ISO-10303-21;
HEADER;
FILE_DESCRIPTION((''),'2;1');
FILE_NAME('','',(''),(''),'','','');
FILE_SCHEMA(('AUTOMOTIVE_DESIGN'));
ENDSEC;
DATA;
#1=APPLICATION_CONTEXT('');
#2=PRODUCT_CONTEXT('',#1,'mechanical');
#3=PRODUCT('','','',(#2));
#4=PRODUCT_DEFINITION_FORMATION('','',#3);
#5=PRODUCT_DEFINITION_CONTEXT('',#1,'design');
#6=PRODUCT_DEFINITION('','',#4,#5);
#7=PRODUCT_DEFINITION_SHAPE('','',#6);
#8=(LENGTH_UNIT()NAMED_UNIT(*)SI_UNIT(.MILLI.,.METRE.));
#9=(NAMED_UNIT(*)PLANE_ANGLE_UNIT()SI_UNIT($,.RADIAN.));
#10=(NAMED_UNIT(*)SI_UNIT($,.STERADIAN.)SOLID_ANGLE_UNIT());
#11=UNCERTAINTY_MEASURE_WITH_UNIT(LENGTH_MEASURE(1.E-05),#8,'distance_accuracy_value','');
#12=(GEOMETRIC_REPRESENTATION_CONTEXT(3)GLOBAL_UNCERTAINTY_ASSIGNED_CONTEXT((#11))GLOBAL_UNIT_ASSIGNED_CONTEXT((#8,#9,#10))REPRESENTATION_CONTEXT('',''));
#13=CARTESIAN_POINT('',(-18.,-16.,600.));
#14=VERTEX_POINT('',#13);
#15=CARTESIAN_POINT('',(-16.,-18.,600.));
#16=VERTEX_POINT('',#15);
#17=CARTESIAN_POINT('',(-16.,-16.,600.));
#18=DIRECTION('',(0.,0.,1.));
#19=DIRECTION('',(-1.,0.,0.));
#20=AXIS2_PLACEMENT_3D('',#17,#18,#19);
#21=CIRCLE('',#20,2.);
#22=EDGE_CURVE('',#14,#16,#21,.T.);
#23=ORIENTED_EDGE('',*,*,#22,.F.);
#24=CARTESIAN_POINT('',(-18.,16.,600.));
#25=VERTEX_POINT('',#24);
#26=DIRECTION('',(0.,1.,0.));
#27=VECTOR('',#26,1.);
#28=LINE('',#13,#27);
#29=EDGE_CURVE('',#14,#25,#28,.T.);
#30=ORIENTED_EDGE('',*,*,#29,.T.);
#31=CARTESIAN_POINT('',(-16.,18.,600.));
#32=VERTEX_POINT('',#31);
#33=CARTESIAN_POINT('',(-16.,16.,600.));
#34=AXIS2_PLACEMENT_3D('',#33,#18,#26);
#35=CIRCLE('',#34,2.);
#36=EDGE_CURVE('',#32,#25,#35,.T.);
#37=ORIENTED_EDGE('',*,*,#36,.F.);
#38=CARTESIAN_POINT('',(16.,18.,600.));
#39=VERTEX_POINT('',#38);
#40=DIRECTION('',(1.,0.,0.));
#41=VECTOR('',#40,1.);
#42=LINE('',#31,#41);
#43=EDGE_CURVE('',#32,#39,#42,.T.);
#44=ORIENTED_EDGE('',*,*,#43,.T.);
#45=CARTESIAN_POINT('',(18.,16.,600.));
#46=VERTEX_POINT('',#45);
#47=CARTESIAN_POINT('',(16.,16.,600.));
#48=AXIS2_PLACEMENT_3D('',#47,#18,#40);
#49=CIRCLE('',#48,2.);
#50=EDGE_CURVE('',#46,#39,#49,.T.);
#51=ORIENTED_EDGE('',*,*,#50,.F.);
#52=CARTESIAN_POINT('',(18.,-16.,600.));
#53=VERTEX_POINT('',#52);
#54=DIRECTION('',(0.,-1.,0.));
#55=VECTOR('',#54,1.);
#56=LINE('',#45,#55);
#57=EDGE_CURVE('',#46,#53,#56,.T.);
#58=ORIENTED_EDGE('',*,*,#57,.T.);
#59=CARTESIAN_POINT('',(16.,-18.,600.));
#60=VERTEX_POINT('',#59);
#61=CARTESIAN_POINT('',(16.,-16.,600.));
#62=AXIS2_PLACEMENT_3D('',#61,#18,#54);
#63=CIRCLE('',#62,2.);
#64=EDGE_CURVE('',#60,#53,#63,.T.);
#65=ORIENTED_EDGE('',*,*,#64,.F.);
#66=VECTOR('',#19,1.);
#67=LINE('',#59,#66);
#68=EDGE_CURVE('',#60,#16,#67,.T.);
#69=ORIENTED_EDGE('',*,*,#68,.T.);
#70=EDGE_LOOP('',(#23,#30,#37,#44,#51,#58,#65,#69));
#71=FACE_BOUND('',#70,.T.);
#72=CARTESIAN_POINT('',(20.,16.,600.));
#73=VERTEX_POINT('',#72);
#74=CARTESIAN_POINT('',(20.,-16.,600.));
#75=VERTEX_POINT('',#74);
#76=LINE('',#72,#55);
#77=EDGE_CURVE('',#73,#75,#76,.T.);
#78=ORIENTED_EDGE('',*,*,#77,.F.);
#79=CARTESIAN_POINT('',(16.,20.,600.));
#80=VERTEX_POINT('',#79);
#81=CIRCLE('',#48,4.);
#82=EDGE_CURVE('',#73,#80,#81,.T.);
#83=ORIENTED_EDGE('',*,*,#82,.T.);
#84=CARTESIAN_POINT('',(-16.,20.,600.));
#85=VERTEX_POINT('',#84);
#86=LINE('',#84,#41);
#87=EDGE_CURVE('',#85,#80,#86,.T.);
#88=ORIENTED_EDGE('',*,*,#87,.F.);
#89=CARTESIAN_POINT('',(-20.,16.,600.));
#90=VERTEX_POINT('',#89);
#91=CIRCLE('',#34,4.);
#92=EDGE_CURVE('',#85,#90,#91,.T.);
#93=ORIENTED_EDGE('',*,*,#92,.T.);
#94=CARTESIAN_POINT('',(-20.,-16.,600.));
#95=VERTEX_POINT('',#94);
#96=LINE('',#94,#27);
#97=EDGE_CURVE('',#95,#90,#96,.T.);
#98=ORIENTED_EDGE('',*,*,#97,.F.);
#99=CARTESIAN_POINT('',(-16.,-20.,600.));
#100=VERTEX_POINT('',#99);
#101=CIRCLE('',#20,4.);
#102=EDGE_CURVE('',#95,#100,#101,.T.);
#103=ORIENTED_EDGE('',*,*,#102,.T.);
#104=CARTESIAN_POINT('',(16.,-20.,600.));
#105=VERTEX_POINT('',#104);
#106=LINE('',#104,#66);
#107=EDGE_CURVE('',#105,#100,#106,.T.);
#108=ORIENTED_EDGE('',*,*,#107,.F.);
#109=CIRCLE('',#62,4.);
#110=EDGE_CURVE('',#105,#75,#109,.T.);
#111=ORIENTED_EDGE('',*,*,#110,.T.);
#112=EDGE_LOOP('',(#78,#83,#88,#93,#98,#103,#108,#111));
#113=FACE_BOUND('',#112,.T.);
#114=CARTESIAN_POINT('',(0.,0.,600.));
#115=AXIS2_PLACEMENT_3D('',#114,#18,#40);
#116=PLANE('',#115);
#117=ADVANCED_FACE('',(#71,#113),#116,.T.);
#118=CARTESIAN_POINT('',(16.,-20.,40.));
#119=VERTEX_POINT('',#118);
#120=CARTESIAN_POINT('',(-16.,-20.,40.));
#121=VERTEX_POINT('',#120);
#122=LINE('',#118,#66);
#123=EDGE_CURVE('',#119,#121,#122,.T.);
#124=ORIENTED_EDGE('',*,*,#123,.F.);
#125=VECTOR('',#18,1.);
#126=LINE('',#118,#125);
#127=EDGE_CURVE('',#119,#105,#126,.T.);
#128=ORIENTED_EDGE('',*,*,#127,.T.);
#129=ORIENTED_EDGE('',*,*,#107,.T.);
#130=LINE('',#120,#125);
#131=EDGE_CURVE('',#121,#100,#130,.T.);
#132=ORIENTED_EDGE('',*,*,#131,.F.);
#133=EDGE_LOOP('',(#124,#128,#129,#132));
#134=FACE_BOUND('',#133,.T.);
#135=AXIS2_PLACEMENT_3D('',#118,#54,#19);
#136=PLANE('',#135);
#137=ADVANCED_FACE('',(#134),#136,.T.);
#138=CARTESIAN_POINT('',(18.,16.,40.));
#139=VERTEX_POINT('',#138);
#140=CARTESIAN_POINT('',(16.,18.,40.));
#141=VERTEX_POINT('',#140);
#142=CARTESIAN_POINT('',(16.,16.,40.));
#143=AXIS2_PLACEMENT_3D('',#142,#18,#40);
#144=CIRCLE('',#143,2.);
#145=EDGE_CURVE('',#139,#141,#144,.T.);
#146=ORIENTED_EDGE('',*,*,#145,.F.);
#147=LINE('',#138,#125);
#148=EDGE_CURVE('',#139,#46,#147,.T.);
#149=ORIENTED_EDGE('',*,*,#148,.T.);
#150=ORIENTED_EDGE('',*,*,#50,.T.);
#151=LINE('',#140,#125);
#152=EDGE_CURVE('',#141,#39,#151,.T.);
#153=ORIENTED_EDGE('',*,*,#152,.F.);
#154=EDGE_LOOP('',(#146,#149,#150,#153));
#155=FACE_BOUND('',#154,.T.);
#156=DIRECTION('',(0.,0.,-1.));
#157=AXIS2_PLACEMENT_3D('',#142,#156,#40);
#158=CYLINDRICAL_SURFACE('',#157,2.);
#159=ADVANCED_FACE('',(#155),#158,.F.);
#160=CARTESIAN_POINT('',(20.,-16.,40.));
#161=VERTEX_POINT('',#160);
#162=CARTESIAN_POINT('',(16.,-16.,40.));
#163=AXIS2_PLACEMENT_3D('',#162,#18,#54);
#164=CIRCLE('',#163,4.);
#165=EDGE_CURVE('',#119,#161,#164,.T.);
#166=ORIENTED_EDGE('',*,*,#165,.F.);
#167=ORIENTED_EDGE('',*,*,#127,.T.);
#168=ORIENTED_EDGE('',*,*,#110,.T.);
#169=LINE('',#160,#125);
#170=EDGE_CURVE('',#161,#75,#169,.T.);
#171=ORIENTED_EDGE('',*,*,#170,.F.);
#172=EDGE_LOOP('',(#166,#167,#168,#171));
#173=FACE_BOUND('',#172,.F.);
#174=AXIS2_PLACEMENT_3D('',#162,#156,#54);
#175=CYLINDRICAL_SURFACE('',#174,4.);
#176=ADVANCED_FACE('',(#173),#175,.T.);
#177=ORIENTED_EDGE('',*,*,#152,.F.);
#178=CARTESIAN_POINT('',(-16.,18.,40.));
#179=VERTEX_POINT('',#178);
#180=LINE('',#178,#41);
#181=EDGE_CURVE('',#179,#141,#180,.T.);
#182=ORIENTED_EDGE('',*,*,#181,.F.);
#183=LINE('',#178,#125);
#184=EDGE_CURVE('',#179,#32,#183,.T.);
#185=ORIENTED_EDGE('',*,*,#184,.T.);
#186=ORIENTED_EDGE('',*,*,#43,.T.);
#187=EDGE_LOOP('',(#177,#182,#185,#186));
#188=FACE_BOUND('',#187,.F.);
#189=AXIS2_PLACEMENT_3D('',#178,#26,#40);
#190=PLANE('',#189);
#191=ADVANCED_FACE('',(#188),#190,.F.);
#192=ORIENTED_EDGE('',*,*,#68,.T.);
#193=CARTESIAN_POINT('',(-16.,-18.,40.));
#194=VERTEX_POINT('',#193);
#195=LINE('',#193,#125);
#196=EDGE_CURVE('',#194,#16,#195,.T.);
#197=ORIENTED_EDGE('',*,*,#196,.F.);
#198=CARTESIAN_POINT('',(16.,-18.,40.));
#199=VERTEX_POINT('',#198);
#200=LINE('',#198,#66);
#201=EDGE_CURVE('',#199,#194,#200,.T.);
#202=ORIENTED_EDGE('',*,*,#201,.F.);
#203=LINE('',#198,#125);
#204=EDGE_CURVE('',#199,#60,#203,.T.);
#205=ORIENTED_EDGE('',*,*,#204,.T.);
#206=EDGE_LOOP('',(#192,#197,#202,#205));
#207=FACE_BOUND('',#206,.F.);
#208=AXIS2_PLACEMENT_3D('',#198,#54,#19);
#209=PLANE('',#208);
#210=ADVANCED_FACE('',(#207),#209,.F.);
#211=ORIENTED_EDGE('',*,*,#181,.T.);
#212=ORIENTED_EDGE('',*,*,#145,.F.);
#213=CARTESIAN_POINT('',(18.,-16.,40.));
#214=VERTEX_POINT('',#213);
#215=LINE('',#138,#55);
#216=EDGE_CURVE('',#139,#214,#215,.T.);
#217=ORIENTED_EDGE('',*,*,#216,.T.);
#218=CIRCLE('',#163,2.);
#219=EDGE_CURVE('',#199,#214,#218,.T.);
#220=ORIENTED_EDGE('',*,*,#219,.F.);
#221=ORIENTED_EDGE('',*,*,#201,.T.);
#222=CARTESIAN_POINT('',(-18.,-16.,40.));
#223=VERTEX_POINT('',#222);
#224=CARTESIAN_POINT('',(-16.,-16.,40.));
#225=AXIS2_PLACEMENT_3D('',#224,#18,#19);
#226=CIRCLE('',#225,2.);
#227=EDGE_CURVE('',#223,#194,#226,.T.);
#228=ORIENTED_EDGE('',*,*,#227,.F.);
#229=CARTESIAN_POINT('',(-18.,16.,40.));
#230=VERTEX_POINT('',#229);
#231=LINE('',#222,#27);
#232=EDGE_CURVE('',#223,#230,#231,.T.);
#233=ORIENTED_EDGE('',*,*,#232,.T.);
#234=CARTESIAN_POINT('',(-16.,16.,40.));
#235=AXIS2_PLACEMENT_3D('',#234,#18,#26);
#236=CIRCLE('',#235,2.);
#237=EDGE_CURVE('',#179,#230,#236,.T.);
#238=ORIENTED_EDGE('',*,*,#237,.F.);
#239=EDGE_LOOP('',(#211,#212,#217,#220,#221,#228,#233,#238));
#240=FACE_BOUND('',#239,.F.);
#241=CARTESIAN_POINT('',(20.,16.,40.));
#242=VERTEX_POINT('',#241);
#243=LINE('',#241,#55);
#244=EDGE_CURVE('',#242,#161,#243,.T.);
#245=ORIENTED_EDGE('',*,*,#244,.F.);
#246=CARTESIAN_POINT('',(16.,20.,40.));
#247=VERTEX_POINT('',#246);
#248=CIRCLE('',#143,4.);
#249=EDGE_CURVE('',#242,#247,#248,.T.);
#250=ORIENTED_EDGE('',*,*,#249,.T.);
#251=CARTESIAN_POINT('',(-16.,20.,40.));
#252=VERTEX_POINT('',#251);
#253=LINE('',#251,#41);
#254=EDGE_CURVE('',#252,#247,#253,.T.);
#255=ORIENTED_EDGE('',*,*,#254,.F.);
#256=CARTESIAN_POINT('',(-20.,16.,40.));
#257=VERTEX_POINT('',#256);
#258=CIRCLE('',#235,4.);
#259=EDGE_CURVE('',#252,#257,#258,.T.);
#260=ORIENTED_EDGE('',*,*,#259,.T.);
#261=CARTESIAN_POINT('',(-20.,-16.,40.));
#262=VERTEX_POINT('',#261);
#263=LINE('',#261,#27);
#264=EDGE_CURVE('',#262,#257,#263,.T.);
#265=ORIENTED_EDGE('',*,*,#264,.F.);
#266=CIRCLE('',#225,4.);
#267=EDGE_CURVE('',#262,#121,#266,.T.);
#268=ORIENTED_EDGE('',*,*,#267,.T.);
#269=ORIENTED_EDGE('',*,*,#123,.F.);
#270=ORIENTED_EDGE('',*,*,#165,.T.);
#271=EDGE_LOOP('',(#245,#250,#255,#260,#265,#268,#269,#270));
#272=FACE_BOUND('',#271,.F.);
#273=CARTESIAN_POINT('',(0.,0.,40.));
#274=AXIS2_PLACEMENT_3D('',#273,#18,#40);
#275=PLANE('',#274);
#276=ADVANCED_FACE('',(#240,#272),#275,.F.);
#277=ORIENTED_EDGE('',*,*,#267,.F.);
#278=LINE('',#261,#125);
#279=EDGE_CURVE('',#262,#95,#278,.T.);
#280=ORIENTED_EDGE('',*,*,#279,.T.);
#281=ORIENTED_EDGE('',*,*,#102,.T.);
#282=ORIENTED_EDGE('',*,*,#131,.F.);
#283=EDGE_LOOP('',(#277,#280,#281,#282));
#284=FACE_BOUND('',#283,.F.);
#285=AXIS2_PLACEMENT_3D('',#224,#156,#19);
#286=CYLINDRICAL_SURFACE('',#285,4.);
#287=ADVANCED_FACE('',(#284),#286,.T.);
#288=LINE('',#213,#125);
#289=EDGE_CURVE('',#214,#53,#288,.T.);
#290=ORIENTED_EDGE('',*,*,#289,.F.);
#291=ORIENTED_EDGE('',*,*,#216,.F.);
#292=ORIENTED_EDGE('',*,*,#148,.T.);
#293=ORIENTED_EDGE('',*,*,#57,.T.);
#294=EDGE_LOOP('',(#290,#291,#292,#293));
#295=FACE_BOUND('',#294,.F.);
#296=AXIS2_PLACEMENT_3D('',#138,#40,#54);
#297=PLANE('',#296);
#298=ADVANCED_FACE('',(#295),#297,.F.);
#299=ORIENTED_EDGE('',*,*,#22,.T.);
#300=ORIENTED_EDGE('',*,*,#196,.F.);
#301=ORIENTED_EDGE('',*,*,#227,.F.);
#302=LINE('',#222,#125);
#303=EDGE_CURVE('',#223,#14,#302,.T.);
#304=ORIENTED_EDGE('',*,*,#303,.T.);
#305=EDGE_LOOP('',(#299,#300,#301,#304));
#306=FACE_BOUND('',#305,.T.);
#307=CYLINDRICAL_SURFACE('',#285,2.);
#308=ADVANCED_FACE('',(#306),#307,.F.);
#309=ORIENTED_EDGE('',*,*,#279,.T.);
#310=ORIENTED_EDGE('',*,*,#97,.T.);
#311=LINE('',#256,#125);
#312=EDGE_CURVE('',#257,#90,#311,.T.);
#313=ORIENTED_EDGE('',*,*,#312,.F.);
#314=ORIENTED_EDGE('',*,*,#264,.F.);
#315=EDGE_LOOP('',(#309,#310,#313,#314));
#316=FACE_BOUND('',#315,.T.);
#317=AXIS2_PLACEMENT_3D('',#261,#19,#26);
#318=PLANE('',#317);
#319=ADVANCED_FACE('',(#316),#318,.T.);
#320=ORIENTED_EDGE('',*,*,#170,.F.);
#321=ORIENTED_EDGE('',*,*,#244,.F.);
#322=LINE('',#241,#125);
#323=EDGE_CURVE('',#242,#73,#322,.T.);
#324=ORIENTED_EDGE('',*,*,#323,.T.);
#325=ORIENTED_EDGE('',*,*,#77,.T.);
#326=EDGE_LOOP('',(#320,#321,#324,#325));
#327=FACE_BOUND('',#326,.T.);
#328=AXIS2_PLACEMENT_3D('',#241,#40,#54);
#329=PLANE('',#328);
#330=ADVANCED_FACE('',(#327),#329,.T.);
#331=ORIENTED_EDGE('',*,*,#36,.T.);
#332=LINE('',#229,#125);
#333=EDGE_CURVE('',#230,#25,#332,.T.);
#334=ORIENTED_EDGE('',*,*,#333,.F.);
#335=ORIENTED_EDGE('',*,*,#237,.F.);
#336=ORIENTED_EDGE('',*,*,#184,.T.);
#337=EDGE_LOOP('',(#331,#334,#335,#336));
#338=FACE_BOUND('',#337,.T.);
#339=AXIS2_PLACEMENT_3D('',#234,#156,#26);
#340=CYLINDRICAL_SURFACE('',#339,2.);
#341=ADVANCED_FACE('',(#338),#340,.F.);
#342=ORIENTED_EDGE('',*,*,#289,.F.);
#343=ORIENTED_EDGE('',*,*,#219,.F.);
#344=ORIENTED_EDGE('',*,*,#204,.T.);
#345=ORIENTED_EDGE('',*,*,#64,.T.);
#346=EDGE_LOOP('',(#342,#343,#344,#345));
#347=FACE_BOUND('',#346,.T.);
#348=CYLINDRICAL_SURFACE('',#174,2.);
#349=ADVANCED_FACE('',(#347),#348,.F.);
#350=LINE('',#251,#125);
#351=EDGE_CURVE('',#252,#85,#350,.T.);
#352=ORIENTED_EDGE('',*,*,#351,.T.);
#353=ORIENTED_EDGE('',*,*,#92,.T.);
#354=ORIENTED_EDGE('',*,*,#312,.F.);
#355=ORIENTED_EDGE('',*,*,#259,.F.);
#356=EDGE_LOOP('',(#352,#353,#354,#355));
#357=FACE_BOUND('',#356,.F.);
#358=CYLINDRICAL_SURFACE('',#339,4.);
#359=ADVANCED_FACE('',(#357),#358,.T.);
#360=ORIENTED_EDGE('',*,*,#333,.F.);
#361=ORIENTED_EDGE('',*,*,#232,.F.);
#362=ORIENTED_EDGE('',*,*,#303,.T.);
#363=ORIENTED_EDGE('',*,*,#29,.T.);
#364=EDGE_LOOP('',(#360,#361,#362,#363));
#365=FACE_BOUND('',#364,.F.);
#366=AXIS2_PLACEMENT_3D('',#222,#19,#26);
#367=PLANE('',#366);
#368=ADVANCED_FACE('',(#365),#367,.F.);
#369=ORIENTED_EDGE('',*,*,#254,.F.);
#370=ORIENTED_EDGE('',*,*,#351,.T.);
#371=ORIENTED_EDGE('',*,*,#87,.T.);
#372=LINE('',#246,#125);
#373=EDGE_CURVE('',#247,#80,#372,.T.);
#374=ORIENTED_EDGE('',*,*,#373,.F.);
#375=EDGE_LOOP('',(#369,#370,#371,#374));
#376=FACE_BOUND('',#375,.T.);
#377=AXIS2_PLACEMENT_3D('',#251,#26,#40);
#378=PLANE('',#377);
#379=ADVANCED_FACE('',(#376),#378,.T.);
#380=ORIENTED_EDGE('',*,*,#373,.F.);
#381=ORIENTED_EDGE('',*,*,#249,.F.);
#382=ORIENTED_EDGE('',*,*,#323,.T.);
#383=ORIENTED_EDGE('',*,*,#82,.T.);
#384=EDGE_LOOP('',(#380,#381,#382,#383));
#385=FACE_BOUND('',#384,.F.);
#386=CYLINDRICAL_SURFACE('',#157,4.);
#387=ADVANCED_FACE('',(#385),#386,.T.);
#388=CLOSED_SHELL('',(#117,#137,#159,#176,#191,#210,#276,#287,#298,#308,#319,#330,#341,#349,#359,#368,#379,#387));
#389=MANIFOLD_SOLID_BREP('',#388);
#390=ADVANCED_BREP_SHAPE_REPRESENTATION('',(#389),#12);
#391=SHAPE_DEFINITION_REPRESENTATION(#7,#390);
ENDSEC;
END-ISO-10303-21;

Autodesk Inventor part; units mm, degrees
ref_plane "YZ Plane" through (0, 0, 0) normal (1, 0, 0) x (0, 1, 0)
ref_plane "Start Plane" through (0, 0, 40) normal (0, 0, 1) x (1, 0, 0)
ref_plane "End Plane" through (0, 0, 600) normal (0, 0, 1) x (1, 0, 0)
sketch "Sketch" plane through (0, 0, 0) normal (0, 0, 1) x (1, 0, 0)
  line L0 (-20, -16) -> (-20, 16)
  line L1 (-16, 20) -> (16, 20)
  line L2 (20, 16) -> (20, -16)
  line L3 (16, -20) -> (-16, -20)
  arc A0 (-20, -16) -> (-16, -20) centre (-16, -16) ccw
  arc A1 (20, 16) -> (16, 20) centre (16, 16) ccw
  arc A2 (-16, 20) -> (-20, 16) centre (-16, 16) ccw
  arc A3 (16, -20) -> (20, -16) centre (16, -16) ccw
  arc A4 (-16, 18) -> (-18, 16) centre (-16, 16) ccw
  line L4 (-16, 18) -> (16, 18)
  arc A5 (18, 16) -> (16, 18) centre (16, 16) ccw
  line L5 (18, 16) -> (18, -16)
  arc A6 (16, -18) -> (18, -16) centre (16, -16) ccw
  line L6 (16, -18) -> (-16, -18)
  arc A7 (-18, -16) -> (-16, -18) centre (-16, -16) ccw
  line L7 (-18, -16) -> (-18, 16)
  line L8 (0, 29.1598) -> (0, -29.1598) construction
  line L9 (-29.1598, 0) -> (29.1598, 0) construction
  dimension "d7" = 4
  dimension "d9" = 40
  dimension "d11" = 40
  dimension "d12" = 2
  dimension "d15" = 20
  dimension "d16" = 20
extrude "Body" add sketch "Sketch" along normal up to surface (560 mm away) from surface at 40
sketch "Sketch3" plane through (0, 0, 0) normal (0, 0, 1) x (1, 0, 0)
  line L0 (0, 0) -> (10, 0)
ref_plane "Work Plane3" through (0, 0, 0) normal (0, -1, 0) x (1, 0, 0)
sketch "Sketch4" plane through (0, 0, 0) normal (0, -1, 0) x (1, 0, 0)
  line L0 (-2, 40) -> (12, 40) projected
  line L1 (-2, 600) -> (12, 600) projected
  dimension "d18" = 560
equation "\"d7\" = G_IR"
equation "\"d9\" = G_W"
equation "\"d11\" = G_H"
equation "\"d12\" = G_T"
equation "\"d15\" = 0.5 * d9"
equation "\"d16\" = 0.5 * d11"
equation "\"d3\" = G_L"
equation "\"G_W\" = 40"
equation "\"G_H\" = 40"
equation "\"G_T\" = 2"
equation "\"G_IR\" = 4"
equation "\"G_L\" = d18"
properties part number "ISO 10799-2 - 40x40x2 - 560" material "Stainless Steel"
